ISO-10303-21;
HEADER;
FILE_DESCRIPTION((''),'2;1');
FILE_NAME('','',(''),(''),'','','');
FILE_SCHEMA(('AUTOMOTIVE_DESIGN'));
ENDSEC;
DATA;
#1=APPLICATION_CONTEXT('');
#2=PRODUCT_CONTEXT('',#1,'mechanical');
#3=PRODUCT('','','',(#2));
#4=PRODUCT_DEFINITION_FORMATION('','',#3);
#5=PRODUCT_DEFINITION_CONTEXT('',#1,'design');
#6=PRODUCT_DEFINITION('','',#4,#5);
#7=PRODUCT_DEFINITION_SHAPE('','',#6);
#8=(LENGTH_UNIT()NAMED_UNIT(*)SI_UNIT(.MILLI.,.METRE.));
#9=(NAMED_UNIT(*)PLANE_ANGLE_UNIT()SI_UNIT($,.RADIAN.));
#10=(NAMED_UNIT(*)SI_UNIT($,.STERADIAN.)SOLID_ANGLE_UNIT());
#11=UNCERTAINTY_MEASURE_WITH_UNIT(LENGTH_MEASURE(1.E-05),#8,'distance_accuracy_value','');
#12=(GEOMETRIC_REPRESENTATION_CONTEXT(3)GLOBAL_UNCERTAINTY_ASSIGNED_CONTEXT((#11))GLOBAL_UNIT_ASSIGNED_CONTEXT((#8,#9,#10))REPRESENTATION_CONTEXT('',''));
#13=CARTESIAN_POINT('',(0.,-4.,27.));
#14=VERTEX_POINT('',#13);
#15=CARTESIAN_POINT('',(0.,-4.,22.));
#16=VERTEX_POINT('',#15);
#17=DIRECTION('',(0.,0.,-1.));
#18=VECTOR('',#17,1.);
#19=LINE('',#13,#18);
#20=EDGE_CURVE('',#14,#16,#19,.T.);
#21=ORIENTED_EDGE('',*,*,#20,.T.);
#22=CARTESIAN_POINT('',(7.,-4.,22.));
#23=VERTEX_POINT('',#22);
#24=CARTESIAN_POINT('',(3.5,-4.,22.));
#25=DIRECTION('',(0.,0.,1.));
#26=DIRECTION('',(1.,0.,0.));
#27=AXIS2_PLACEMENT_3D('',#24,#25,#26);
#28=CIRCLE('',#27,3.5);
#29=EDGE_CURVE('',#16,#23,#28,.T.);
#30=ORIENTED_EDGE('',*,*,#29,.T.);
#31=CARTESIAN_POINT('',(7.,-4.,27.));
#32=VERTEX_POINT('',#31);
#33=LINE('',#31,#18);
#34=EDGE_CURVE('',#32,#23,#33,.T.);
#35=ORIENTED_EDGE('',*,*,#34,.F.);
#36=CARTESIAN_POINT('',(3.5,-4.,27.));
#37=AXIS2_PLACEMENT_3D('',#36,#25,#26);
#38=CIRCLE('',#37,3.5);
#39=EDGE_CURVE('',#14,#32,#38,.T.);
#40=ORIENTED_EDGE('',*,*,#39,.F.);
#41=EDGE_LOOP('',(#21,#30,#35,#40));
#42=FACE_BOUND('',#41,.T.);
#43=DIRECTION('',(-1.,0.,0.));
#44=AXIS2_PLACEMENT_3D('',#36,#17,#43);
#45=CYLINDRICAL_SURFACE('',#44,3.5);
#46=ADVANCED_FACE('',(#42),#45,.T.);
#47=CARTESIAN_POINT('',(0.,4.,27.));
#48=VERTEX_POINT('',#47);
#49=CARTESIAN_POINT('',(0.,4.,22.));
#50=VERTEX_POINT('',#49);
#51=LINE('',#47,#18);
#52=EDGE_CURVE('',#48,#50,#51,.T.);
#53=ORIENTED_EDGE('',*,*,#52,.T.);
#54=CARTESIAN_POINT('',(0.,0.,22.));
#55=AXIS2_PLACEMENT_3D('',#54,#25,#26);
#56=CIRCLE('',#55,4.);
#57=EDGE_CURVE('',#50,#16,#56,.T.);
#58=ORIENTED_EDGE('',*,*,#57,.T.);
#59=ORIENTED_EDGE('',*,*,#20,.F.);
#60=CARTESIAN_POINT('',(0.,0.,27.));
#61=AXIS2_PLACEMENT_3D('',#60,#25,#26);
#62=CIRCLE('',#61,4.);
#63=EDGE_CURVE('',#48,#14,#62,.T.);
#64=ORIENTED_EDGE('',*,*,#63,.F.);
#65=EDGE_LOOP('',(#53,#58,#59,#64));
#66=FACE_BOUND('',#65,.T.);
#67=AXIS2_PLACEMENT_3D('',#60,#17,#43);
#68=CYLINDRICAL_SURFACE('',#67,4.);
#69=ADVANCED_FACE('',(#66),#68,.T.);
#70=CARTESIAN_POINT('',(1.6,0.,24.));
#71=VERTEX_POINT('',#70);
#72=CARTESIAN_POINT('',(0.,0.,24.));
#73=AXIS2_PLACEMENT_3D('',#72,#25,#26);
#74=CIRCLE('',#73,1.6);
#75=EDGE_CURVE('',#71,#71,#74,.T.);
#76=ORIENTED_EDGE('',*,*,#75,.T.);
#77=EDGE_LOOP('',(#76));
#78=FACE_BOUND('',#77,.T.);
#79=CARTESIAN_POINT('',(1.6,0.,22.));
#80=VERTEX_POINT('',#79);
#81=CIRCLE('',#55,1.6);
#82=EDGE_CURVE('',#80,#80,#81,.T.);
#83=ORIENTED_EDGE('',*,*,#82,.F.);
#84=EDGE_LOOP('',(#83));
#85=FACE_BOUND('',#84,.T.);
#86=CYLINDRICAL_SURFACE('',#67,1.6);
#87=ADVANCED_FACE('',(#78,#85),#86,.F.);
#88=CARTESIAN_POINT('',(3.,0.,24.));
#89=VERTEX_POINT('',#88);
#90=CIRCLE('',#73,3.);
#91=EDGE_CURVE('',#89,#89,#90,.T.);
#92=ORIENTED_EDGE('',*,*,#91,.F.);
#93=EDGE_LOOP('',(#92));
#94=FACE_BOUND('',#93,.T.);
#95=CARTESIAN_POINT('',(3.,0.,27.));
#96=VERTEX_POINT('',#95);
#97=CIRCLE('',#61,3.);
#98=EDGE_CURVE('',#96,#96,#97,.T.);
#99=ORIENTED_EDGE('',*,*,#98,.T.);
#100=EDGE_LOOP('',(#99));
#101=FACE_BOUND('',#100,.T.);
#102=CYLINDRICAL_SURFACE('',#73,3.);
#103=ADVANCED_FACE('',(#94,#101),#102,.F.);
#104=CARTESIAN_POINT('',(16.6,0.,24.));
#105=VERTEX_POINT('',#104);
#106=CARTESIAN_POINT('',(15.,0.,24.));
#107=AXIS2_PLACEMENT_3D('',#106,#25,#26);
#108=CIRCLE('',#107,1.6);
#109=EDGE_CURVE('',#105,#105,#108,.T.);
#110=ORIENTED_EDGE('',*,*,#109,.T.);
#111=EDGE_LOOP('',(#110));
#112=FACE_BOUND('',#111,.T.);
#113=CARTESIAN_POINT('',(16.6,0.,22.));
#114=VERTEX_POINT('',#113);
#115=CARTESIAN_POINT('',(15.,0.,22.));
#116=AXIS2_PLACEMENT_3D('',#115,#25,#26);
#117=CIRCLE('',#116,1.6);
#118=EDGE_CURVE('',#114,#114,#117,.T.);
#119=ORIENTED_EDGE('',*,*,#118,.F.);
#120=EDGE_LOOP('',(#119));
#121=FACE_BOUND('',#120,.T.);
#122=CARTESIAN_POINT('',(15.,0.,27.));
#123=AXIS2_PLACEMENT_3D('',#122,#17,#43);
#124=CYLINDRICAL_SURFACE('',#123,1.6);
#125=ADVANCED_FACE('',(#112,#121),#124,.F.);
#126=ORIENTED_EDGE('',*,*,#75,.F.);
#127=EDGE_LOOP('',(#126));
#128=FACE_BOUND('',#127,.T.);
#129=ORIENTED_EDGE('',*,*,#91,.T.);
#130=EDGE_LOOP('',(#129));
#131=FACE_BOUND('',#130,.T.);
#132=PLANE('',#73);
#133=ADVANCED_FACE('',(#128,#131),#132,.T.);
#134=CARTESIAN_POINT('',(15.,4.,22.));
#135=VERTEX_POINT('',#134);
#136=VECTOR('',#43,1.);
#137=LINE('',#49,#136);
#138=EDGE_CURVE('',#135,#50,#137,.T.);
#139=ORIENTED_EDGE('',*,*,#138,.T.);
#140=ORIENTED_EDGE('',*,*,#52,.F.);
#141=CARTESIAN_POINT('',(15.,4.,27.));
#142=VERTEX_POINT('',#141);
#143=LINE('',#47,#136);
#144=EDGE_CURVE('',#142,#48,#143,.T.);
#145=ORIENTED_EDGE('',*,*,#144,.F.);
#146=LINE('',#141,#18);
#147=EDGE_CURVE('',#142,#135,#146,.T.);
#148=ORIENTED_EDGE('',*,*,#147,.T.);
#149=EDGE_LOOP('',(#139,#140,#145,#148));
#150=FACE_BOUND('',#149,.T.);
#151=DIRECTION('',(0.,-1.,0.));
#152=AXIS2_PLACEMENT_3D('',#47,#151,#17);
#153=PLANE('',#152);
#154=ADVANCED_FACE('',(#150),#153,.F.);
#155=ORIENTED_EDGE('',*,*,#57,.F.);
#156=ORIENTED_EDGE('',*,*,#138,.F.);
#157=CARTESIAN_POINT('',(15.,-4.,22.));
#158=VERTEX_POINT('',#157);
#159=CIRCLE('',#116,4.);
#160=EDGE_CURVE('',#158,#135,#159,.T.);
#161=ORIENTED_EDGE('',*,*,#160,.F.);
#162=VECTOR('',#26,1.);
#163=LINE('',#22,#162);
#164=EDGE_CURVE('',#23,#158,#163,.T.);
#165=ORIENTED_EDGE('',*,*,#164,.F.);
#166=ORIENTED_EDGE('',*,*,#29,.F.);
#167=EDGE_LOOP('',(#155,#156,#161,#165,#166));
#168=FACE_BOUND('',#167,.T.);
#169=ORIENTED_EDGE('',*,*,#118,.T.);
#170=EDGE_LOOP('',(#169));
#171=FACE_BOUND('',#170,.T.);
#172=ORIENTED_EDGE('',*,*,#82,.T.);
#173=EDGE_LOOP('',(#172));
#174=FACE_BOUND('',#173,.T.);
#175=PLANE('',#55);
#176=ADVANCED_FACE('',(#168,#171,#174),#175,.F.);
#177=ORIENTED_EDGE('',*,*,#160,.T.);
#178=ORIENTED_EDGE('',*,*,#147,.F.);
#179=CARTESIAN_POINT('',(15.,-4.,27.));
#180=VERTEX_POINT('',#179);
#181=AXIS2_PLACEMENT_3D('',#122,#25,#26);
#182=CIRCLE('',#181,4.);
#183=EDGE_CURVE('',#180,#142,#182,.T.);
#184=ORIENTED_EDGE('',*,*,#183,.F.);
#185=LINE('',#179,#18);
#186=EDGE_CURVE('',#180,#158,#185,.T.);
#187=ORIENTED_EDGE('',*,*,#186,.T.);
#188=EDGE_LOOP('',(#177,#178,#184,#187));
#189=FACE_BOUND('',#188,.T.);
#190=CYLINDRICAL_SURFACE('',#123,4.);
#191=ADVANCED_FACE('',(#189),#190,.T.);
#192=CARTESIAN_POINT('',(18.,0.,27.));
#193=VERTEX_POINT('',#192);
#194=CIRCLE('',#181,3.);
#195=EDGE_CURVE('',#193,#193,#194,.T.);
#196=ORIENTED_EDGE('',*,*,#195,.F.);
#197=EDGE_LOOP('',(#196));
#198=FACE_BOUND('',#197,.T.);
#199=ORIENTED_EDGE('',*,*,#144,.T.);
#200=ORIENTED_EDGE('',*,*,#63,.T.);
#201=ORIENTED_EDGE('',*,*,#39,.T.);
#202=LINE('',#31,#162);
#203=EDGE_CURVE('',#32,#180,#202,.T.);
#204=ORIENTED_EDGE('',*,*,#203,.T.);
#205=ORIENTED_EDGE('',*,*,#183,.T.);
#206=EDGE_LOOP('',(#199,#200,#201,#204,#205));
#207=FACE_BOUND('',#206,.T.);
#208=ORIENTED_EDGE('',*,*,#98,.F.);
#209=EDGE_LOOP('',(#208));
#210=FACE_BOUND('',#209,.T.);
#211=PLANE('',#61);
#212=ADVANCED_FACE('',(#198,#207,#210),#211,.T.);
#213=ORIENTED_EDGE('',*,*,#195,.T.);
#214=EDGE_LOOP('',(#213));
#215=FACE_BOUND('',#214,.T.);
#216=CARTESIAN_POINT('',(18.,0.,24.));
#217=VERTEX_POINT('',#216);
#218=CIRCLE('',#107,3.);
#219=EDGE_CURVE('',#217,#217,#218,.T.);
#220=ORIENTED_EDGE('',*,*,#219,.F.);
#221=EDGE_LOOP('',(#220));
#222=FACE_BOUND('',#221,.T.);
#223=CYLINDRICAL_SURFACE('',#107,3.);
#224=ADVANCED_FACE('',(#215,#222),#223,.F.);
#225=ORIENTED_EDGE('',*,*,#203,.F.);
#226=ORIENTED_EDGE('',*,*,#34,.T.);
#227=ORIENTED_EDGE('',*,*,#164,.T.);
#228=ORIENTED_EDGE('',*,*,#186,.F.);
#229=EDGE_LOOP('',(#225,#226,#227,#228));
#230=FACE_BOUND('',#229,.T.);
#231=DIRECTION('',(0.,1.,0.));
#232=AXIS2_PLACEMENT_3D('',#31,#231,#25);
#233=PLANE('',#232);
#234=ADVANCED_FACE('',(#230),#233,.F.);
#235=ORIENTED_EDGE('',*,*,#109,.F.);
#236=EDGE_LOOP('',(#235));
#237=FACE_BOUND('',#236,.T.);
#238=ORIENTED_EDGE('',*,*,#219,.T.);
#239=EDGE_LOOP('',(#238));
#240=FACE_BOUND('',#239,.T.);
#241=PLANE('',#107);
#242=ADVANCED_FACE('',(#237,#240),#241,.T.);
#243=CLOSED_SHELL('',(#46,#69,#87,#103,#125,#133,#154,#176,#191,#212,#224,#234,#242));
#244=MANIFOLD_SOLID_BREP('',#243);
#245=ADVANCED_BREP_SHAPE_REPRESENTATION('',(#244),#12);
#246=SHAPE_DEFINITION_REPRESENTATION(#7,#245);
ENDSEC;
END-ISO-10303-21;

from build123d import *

# Parameters (mm, degrees)
SKETCH1_R           = 1.6
BOSS_EXTRUDE1_DEPTH = 5
SKETCH2_R           = 3
CUT_EXTRUDE1_DEPTH  = 3


with BuildPart() as part:
    # Sketch1 → Boss-Extrude1 (new body)
    with BuildSketch(Plane.XY.offset(22)):
        with BuildLine():
            Line((0, 4), (15, 4))
            ThreePointArc((15, 4), (19, 0), (15, -4))
            Line((15, -4), (7, -4))
            ThreePointArc((7, -4), (3.5, -7.5), (0, -4))
            ThreePointArc((0, -4), (-4, 0), (0, 4))
        make_face()
        Circle(SKETCH1_R, mode=Mode.SUBTRACT)
        with Locations((15, 0)):
            Circle(SKETCH1_R, mode=Mode.SUBTRACT)
    extrude(amount=BOSS_EXTRUDE1_DEPTH)

    # Sketch2 → Cut-Extrude1 (cut)
    with BuildSketch(Plane.XY.offset(27)):
        Circle(SKETCH2_R)
        with Locations((15, 0)):
            Circle(SKETCH2_R)
    extrude(amount=-CUT_EXTRUDE1_DEPTH, mode=Mode.SUBTRACT)


solid = part.part
